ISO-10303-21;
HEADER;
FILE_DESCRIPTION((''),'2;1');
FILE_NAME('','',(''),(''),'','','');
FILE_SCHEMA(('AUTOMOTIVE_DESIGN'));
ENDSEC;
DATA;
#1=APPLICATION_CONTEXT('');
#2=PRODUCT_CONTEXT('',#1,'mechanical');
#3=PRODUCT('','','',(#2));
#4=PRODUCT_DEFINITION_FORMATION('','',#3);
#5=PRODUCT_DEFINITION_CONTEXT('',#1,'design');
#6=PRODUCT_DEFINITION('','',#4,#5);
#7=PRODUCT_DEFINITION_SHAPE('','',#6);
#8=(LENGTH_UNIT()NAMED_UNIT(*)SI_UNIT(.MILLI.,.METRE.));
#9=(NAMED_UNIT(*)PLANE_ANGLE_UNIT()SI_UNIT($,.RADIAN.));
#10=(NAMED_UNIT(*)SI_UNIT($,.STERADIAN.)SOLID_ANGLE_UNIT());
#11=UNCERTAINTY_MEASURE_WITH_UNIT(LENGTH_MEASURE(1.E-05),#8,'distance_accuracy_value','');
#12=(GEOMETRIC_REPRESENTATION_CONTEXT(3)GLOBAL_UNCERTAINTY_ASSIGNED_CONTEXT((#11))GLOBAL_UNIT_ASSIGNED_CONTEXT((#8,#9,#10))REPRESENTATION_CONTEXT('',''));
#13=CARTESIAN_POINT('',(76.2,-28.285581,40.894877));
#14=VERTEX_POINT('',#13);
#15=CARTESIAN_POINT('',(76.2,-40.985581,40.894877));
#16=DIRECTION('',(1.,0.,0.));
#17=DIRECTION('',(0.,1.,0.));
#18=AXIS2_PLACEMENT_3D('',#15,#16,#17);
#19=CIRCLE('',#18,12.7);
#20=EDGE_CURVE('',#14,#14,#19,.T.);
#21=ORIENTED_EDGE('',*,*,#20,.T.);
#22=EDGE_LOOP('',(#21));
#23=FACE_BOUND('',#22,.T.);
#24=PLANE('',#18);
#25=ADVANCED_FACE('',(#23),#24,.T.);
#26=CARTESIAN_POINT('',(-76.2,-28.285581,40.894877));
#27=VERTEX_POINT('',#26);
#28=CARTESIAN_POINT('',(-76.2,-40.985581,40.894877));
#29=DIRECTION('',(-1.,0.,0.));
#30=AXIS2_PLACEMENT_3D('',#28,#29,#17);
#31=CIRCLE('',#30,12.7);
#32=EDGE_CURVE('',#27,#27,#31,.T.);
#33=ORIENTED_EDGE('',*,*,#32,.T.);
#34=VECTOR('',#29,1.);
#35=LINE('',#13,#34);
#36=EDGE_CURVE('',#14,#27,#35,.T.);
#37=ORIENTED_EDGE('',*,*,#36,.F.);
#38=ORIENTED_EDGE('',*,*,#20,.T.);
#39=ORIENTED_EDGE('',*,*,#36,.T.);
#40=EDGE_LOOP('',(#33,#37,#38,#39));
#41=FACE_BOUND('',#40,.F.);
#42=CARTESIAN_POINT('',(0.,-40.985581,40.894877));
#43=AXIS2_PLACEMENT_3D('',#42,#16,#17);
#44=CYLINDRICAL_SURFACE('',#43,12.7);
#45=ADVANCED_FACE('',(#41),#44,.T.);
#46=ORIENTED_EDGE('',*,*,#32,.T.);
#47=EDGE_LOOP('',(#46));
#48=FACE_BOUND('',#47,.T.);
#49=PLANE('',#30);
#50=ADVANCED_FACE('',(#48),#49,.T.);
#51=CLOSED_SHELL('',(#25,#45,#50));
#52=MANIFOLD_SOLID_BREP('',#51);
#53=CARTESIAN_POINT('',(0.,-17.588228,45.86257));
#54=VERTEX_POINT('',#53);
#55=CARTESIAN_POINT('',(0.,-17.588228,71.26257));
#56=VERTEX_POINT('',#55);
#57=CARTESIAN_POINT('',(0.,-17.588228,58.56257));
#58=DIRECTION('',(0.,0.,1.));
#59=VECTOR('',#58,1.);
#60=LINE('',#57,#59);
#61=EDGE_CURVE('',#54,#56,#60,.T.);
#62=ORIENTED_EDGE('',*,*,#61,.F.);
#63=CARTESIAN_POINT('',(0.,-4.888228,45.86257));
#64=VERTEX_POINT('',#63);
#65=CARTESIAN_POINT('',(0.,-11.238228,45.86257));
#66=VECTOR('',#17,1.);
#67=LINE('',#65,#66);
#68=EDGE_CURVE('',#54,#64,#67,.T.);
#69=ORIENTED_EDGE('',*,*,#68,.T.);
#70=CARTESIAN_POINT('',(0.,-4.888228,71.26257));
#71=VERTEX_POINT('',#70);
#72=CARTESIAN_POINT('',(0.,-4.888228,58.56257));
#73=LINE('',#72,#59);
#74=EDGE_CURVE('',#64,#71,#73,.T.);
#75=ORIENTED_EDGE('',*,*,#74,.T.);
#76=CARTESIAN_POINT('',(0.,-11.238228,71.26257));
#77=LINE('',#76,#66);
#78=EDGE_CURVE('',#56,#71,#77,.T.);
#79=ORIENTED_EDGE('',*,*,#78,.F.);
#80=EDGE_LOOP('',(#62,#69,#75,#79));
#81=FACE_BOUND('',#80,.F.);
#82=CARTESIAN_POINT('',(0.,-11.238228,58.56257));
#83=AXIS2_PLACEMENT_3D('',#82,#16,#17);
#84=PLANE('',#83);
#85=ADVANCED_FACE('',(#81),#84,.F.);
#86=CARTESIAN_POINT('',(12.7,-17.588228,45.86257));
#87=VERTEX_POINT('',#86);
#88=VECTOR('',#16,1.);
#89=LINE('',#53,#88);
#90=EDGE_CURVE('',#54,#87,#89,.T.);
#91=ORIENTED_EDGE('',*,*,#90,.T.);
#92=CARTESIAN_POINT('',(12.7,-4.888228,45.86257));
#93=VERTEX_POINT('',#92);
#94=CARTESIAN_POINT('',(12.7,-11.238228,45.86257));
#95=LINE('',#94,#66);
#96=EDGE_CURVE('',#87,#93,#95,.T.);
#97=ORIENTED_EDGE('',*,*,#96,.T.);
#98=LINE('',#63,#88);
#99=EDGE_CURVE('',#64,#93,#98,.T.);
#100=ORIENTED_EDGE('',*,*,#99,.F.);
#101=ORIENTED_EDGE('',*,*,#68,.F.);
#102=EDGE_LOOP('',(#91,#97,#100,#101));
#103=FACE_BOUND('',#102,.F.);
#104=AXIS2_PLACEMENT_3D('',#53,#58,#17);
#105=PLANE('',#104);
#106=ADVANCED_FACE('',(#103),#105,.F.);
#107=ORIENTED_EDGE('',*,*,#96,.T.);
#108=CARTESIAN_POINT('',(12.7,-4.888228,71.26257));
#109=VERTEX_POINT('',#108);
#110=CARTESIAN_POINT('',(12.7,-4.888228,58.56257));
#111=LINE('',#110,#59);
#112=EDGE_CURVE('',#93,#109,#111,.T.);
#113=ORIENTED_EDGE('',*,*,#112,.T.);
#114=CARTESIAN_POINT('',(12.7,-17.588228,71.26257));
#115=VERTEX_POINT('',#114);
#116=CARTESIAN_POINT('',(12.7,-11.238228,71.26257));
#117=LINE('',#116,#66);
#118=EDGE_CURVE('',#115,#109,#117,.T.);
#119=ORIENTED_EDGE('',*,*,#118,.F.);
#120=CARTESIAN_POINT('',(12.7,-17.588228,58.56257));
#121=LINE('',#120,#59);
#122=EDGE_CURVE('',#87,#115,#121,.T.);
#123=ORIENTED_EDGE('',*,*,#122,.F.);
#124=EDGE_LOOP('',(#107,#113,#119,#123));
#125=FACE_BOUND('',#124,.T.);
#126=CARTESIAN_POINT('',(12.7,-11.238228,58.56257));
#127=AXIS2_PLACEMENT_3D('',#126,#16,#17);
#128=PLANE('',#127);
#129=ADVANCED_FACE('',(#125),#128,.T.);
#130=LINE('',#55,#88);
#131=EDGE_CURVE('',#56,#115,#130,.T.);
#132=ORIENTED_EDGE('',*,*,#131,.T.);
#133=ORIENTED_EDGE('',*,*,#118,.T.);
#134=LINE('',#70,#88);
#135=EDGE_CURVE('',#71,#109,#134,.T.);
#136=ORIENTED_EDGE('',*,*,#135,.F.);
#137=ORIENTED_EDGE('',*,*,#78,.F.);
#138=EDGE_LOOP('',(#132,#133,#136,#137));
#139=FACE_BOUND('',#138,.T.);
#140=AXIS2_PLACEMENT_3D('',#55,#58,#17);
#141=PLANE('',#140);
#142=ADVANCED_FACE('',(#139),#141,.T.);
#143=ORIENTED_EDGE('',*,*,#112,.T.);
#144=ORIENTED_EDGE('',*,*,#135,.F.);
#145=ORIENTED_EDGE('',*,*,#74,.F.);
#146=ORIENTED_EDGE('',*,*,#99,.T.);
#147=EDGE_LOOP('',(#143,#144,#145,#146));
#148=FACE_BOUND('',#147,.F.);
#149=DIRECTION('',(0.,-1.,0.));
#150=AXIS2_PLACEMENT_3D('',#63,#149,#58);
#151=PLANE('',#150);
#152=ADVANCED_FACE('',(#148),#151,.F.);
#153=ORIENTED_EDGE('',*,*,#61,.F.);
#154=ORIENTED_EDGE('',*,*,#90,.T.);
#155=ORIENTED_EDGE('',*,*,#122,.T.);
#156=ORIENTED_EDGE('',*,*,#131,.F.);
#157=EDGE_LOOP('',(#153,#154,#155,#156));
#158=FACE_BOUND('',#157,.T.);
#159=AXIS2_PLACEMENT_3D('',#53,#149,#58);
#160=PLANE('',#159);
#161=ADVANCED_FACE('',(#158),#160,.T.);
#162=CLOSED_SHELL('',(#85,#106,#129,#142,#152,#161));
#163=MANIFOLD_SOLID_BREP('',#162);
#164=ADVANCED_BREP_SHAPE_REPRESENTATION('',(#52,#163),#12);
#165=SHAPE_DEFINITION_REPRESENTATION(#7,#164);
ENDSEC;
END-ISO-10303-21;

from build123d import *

# Parameters (mm, degrees)
F0_R      = 12.7
F1_DEPTH  = 76.2
F1_FACE_R = 12.7
F2_DEPTH  = 76.2
F3_W      = 12.7
F3_H      = 25.4
F4_DEPTH  = 12.7


with BuildPart() as f1:
    # F0 (on Right) → F1 (new body)
    with BuildSketch(Plane.YZ):
        with Locations((-40.985581, 40.894877)):
            Circle(F0_R)
    extrude(amount=F1_DEPTH)

    # F1_face (on face) → F2 (join)
    with BuildSketch(Plane(origin=(0, -40.985581, 40.894877), x_dir=(0, 1, 0), z_dir=(-1, 0, 0))):
        Circle(F1_FACE_R)
    extrude(amount=F2_DEPTH)


with BuildPart() as f4:
    # F3 (on Right) → F4 (new body)
    with BuildSketch(Plane.YZ):
        with Locations((-11.238228, 58.56257)):
            Rectangle(F3_W, F3_H)
    extrude(amount=F4_DEPTH)


solid = Compound([f1.part, f4.part])
